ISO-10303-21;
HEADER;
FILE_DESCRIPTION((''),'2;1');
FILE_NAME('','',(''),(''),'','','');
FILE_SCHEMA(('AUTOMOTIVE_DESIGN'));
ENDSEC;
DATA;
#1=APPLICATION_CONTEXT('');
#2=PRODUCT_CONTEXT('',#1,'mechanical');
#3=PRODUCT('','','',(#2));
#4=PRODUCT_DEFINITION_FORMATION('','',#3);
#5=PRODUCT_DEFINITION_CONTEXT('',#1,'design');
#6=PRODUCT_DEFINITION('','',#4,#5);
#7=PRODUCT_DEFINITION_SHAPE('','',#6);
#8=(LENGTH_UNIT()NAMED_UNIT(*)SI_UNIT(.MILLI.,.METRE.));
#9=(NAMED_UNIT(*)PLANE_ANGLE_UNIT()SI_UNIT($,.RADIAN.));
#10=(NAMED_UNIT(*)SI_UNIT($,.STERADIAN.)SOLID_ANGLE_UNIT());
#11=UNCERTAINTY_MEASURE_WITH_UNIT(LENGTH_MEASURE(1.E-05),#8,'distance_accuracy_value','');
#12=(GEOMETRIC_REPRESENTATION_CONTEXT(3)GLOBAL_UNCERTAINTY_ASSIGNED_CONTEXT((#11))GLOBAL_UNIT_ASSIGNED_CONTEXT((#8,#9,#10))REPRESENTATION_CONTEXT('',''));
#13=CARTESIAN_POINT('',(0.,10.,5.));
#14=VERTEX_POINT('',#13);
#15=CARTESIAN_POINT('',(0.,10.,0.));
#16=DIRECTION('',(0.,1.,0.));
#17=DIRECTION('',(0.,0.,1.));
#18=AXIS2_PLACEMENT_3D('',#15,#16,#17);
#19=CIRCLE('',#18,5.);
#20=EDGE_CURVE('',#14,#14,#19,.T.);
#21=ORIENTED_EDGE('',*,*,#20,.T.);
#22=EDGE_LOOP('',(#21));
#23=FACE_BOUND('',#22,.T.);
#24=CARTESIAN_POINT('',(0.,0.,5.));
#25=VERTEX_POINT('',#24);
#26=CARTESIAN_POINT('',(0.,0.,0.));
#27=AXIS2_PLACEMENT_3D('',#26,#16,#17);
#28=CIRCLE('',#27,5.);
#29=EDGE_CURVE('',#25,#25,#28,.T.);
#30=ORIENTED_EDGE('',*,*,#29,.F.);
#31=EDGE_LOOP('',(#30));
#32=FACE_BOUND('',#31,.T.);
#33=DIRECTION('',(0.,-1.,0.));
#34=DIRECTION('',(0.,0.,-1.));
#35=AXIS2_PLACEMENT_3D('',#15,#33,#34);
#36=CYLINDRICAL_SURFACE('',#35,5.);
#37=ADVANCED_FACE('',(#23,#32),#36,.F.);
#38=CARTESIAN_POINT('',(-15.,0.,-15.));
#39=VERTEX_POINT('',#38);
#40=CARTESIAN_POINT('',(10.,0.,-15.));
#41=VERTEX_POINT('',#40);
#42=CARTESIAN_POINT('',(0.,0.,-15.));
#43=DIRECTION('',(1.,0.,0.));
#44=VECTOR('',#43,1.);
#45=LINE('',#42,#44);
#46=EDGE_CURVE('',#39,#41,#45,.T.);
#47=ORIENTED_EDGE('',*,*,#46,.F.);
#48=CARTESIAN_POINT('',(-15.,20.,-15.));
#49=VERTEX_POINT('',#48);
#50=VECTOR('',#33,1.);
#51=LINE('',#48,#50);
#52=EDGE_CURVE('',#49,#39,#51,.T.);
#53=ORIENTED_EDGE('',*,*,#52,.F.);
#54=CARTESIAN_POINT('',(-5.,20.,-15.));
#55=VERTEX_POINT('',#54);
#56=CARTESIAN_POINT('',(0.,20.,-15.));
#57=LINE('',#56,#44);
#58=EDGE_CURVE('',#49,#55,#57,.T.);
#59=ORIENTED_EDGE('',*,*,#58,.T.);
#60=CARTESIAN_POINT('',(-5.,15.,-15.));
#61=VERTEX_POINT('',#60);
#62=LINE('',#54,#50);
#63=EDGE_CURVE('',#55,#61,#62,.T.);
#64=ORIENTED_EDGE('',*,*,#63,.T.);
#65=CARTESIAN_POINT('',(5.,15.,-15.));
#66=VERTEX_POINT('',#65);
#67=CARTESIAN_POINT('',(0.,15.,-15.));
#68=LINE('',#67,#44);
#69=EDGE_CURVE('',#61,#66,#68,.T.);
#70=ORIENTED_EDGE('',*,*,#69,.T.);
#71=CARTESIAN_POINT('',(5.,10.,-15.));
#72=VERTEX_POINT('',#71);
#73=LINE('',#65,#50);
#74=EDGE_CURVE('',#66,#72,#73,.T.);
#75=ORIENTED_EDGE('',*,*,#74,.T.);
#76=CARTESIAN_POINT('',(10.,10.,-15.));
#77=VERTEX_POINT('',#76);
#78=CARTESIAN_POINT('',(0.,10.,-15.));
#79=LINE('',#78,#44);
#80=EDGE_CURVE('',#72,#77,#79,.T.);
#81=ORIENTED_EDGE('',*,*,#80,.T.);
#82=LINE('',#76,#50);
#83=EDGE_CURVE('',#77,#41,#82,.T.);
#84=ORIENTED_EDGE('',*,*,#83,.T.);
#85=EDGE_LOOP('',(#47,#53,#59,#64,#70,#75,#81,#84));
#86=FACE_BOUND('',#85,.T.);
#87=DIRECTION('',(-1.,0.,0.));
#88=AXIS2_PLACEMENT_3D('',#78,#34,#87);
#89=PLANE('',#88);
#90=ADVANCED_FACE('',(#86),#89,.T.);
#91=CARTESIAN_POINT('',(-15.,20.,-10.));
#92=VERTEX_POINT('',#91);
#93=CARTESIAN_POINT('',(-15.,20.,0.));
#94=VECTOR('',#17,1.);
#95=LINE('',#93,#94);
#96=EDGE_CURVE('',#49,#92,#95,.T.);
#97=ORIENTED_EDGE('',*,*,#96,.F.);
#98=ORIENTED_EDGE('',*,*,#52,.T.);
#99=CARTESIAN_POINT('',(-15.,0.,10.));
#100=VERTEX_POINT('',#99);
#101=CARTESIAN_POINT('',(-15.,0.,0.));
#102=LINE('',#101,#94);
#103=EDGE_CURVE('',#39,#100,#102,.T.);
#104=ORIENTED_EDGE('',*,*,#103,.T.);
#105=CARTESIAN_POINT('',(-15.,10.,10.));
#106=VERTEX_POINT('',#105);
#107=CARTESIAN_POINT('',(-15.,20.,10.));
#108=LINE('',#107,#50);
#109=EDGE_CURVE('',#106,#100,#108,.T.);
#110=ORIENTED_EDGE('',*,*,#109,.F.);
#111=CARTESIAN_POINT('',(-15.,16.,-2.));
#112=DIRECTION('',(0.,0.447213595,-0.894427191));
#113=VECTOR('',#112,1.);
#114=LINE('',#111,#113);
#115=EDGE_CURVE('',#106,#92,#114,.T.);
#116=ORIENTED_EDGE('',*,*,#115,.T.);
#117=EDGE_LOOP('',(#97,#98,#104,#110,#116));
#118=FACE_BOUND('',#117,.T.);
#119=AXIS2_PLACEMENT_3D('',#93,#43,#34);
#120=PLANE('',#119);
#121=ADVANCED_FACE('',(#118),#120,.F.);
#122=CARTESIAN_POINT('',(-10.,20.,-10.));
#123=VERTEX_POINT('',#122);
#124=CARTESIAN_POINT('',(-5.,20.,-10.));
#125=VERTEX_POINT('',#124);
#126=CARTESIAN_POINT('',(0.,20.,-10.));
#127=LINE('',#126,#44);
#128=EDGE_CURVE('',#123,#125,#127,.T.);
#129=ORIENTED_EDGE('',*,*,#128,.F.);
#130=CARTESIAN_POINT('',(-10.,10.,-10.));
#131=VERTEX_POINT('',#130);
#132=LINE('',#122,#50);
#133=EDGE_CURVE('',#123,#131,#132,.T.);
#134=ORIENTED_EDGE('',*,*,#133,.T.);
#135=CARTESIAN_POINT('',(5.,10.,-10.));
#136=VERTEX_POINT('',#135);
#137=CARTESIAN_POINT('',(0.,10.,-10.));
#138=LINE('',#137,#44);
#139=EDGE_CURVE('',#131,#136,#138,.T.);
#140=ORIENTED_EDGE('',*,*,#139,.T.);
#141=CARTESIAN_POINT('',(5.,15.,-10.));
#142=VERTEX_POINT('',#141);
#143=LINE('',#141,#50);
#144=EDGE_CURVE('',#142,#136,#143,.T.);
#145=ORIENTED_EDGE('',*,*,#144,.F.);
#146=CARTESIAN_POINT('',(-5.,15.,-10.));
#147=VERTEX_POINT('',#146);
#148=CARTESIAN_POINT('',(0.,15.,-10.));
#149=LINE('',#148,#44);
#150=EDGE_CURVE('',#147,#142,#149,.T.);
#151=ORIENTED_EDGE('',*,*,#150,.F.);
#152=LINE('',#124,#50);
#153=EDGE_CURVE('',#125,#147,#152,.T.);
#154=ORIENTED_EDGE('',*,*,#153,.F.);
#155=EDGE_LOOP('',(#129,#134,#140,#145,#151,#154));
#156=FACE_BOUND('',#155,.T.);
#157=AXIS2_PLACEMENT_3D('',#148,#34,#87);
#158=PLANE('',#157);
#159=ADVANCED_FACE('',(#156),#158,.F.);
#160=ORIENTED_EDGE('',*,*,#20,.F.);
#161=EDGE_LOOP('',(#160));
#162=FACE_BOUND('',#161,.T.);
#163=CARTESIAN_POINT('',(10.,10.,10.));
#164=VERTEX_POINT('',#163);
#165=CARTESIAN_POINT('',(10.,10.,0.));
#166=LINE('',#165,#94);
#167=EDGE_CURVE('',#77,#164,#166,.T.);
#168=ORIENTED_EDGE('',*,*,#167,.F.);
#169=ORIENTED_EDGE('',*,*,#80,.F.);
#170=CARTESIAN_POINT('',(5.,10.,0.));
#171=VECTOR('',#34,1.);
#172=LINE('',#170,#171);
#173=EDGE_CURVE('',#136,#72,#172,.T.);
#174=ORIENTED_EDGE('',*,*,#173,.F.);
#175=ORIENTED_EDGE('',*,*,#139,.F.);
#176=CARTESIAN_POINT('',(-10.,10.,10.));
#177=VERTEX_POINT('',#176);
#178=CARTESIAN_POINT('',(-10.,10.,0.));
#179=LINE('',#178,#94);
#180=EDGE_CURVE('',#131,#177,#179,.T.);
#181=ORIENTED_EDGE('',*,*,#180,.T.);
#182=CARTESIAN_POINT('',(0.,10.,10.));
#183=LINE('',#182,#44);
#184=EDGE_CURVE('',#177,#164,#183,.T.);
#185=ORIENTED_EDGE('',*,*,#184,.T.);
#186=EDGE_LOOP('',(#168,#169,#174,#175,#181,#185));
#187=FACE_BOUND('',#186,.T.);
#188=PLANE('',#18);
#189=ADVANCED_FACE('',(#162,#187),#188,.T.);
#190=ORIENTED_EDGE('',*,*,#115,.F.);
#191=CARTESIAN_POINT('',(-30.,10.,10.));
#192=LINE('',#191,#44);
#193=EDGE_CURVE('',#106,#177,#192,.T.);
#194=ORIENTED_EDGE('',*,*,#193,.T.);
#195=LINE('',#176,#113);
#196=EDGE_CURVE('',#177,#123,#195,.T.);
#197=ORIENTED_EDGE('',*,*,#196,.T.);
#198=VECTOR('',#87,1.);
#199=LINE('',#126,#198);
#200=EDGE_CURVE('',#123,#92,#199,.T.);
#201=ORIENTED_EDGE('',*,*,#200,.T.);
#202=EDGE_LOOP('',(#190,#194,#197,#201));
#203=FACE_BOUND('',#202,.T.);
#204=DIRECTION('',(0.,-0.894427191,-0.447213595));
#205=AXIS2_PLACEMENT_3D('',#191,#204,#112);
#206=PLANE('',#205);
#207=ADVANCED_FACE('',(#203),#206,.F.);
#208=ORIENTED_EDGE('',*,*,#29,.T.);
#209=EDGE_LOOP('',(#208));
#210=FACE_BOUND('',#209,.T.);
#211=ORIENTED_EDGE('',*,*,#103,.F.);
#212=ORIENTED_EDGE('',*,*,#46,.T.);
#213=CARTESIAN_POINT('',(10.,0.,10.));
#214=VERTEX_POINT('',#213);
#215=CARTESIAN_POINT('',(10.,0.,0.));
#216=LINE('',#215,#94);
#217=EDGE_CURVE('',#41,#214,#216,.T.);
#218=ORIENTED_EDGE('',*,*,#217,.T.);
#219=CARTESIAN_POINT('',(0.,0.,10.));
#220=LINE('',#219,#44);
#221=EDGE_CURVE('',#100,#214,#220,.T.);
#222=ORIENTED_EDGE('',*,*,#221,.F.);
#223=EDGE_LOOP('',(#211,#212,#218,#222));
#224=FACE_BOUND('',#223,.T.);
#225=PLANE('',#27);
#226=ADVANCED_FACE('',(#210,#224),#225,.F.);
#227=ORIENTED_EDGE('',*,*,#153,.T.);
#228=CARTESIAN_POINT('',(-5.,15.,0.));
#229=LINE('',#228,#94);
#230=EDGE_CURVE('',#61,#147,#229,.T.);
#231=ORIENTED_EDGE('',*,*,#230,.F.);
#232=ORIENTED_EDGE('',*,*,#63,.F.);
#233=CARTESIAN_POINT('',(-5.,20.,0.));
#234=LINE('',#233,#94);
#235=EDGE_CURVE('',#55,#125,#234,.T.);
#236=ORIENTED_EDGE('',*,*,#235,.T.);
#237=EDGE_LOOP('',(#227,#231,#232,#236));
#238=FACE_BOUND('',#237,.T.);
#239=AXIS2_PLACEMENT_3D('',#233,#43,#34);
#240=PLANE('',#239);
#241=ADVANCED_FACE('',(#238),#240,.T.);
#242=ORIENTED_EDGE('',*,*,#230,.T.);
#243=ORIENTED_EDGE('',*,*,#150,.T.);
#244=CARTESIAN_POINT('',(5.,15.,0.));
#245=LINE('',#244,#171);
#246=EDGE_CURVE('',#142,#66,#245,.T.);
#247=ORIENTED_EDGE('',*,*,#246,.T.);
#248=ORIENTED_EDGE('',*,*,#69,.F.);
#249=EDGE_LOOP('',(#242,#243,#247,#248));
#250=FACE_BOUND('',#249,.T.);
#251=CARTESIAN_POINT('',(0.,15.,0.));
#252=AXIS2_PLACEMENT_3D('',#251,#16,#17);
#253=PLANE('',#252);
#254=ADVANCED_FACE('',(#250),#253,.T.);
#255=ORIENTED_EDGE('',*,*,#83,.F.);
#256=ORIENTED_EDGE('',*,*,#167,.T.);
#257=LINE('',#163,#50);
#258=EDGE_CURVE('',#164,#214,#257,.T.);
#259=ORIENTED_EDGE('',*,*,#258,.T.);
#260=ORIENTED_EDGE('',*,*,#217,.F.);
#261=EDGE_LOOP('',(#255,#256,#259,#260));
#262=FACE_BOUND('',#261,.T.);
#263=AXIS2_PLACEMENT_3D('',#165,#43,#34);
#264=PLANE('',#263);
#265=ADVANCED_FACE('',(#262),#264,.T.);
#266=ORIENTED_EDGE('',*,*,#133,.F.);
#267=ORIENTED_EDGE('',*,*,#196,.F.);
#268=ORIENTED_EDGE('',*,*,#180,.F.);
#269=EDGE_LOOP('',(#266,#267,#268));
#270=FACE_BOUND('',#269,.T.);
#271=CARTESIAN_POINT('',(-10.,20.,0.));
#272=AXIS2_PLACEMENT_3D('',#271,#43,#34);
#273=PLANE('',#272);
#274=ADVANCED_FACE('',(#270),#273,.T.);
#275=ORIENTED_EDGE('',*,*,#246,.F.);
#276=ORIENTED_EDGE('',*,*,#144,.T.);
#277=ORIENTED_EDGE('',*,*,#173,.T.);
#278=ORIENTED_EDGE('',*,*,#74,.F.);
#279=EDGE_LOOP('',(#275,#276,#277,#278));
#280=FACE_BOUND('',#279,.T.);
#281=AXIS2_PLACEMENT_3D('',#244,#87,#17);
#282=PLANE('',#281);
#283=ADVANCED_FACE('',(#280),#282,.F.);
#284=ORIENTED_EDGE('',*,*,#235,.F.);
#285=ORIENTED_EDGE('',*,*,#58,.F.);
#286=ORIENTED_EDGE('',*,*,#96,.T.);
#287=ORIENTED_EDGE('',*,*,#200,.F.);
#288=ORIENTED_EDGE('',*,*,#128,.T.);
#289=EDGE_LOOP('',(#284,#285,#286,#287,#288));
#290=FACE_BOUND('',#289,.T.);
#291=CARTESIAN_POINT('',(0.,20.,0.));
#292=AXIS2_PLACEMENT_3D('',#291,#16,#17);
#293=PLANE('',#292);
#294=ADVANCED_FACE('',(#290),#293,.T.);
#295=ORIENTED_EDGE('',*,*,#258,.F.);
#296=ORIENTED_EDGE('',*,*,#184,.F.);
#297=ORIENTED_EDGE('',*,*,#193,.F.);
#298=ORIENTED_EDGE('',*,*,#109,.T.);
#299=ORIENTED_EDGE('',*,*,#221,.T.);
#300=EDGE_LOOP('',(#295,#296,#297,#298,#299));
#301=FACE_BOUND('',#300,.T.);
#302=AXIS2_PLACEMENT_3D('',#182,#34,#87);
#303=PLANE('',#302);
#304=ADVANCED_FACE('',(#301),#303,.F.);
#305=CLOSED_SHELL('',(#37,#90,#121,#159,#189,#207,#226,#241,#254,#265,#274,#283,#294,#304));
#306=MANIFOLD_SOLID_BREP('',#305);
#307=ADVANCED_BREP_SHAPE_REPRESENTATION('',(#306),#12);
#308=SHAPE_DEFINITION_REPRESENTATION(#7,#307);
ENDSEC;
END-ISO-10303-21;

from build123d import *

# Parameters (mm, degrees)
SKETCH_1_R          = 5
EXTRUDE_1_DEPTH     = 10
SKETCH_1_3_W        = 10
SKETCH_1_3_H        = 5
EXTRUDE_2_DEPTH     = 15
EXTRUDE_3_DEPTH     = 20
CUT_EXTRUDE_1_DEPTH = 20


with BuildPart() as part:
    # 草圖1 → 填料-伸長1 (new body)
    with BuildSketch(Plane(origin=(0, 0, 0), x_dir=(1, 0, 0), z_dir=(0, 1, 0))):
        Polygon((10, 15), (5, 15), (5, 10), (-5, 10), (-10, 10), (-10, -10), (10, -10), align=None)
        Circle(SKETCH_1_R, mode=Mode.SUBTRACT)
    extrude(amount=EXTRUDE_1_DEPTH)

    # 草圖1<3> → 填料-伸長2 (add)
    with BuildSketch(Plane(origin=(0, 0, 0), x_dir=(1, 0, 0), z_dir=(0, 1, 0))):
        with Locations((0, 12.5)):
            Rectangle(SKETCH_1_3_W, SKETCH_1_3_H)
    extrude(amount=EXTRUDE_2_DEPTH)

    # 草圖1<4> → 填料-伸長3 (add)
    with BuildSketch(Plane(origin=(0, 0, 0), x_dir=(1, 0, 0), z_dir=(0, 1, 0))):
        Polygon((-5, 15), (-15, 15), (-15, -10), (-10, -10), (-10, 10), (-5, 10), align=None)
    extrude(amount=EXTRUDE_3_DEPTH)

    # 草圖2 → 除料-伸長1 (cut)
    with BuildSketch(Plane(origin=(-10, 0, 0), x_dir=(0, 0, -1), z_dir=(1, 0, 0))):
        Polygon((-10, 10), (10, 20), (-10, 20), align=None)
    extrude(amount=-CUT_EXTRUDE_1_DEPTH, mode=Mode.SUBTRACT)


solid = part.part
